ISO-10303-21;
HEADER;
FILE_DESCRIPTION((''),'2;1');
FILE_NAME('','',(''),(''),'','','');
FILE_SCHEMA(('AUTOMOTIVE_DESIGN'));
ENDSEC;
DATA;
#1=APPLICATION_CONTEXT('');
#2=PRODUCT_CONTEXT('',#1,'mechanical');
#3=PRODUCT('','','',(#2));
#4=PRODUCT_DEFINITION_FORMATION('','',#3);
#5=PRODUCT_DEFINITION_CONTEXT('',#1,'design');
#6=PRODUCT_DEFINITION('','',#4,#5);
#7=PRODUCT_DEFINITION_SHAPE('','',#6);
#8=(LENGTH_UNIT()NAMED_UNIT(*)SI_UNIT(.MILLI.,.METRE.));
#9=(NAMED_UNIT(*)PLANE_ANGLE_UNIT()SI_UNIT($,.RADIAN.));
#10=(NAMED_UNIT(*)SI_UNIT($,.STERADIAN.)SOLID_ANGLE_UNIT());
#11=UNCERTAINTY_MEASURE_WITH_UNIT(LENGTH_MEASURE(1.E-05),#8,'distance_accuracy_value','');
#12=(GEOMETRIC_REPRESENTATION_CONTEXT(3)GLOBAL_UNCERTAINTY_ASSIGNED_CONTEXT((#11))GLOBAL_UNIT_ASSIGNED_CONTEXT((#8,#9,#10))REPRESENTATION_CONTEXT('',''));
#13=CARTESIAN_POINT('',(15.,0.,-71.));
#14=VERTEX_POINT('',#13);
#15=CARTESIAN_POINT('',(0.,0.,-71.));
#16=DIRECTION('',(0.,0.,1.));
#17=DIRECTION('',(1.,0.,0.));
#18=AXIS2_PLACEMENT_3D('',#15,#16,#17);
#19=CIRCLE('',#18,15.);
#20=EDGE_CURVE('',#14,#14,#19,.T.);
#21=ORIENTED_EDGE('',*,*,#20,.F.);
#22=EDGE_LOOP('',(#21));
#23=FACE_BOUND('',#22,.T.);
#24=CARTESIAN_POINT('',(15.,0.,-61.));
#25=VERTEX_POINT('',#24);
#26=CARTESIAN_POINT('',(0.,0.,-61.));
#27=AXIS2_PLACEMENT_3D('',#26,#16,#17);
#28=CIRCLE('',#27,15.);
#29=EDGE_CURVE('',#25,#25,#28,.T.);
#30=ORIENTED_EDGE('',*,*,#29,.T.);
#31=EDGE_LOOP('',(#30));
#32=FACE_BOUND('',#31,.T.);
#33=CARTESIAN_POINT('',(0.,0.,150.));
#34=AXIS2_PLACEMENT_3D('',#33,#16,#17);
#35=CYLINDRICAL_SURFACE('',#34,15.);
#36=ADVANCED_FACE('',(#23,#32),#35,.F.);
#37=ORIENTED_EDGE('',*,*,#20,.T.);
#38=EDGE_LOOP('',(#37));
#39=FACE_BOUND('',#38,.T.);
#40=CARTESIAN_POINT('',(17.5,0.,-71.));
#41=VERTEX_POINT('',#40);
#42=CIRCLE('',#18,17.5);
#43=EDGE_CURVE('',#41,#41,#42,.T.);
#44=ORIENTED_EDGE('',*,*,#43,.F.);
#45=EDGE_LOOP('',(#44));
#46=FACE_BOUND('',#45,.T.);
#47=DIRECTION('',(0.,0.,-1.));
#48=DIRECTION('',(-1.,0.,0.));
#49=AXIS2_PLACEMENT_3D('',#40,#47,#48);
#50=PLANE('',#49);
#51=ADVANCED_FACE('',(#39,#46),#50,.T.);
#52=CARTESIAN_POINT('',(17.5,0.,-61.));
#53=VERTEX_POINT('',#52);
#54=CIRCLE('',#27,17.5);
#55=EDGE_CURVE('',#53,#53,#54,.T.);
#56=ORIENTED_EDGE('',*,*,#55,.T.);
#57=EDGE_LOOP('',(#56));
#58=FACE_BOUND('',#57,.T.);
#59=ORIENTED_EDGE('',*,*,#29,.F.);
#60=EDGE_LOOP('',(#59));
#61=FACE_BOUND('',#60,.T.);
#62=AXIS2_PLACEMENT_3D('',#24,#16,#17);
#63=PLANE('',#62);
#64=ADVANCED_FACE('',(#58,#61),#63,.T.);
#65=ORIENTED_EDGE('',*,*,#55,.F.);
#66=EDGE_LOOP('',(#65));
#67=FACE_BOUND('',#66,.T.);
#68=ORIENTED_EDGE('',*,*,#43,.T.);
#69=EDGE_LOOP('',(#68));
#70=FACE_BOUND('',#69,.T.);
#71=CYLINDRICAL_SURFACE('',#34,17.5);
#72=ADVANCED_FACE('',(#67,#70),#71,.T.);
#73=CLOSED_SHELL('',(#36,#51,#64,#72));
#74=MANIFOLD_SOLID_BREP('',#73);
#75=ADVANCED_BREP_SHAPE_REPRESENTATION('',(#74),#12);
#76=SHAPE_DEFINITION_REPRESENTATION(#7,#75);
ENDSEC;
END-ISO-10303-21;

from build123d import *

# Parameters (mm, degrees)
SKETCH1_W = 2.5
SKETCH1_H = 10


with BuildPart() as part:
    # Sketch1 → REV_Cone_Spacer_30x35x10 (revolve)
    with BuildSketch(Plane(origin=(0, 0, 0), x_dir=(1, 0, 0), z_dir=(0, 1, 0))):
        with Locations((16.25, 66)):
            Rectangle(SKETCH1_W, SKETCH1_H)
    revolve(axis=Axis((0, 0, 150), (0, 0, -1)))


solid = part.part
